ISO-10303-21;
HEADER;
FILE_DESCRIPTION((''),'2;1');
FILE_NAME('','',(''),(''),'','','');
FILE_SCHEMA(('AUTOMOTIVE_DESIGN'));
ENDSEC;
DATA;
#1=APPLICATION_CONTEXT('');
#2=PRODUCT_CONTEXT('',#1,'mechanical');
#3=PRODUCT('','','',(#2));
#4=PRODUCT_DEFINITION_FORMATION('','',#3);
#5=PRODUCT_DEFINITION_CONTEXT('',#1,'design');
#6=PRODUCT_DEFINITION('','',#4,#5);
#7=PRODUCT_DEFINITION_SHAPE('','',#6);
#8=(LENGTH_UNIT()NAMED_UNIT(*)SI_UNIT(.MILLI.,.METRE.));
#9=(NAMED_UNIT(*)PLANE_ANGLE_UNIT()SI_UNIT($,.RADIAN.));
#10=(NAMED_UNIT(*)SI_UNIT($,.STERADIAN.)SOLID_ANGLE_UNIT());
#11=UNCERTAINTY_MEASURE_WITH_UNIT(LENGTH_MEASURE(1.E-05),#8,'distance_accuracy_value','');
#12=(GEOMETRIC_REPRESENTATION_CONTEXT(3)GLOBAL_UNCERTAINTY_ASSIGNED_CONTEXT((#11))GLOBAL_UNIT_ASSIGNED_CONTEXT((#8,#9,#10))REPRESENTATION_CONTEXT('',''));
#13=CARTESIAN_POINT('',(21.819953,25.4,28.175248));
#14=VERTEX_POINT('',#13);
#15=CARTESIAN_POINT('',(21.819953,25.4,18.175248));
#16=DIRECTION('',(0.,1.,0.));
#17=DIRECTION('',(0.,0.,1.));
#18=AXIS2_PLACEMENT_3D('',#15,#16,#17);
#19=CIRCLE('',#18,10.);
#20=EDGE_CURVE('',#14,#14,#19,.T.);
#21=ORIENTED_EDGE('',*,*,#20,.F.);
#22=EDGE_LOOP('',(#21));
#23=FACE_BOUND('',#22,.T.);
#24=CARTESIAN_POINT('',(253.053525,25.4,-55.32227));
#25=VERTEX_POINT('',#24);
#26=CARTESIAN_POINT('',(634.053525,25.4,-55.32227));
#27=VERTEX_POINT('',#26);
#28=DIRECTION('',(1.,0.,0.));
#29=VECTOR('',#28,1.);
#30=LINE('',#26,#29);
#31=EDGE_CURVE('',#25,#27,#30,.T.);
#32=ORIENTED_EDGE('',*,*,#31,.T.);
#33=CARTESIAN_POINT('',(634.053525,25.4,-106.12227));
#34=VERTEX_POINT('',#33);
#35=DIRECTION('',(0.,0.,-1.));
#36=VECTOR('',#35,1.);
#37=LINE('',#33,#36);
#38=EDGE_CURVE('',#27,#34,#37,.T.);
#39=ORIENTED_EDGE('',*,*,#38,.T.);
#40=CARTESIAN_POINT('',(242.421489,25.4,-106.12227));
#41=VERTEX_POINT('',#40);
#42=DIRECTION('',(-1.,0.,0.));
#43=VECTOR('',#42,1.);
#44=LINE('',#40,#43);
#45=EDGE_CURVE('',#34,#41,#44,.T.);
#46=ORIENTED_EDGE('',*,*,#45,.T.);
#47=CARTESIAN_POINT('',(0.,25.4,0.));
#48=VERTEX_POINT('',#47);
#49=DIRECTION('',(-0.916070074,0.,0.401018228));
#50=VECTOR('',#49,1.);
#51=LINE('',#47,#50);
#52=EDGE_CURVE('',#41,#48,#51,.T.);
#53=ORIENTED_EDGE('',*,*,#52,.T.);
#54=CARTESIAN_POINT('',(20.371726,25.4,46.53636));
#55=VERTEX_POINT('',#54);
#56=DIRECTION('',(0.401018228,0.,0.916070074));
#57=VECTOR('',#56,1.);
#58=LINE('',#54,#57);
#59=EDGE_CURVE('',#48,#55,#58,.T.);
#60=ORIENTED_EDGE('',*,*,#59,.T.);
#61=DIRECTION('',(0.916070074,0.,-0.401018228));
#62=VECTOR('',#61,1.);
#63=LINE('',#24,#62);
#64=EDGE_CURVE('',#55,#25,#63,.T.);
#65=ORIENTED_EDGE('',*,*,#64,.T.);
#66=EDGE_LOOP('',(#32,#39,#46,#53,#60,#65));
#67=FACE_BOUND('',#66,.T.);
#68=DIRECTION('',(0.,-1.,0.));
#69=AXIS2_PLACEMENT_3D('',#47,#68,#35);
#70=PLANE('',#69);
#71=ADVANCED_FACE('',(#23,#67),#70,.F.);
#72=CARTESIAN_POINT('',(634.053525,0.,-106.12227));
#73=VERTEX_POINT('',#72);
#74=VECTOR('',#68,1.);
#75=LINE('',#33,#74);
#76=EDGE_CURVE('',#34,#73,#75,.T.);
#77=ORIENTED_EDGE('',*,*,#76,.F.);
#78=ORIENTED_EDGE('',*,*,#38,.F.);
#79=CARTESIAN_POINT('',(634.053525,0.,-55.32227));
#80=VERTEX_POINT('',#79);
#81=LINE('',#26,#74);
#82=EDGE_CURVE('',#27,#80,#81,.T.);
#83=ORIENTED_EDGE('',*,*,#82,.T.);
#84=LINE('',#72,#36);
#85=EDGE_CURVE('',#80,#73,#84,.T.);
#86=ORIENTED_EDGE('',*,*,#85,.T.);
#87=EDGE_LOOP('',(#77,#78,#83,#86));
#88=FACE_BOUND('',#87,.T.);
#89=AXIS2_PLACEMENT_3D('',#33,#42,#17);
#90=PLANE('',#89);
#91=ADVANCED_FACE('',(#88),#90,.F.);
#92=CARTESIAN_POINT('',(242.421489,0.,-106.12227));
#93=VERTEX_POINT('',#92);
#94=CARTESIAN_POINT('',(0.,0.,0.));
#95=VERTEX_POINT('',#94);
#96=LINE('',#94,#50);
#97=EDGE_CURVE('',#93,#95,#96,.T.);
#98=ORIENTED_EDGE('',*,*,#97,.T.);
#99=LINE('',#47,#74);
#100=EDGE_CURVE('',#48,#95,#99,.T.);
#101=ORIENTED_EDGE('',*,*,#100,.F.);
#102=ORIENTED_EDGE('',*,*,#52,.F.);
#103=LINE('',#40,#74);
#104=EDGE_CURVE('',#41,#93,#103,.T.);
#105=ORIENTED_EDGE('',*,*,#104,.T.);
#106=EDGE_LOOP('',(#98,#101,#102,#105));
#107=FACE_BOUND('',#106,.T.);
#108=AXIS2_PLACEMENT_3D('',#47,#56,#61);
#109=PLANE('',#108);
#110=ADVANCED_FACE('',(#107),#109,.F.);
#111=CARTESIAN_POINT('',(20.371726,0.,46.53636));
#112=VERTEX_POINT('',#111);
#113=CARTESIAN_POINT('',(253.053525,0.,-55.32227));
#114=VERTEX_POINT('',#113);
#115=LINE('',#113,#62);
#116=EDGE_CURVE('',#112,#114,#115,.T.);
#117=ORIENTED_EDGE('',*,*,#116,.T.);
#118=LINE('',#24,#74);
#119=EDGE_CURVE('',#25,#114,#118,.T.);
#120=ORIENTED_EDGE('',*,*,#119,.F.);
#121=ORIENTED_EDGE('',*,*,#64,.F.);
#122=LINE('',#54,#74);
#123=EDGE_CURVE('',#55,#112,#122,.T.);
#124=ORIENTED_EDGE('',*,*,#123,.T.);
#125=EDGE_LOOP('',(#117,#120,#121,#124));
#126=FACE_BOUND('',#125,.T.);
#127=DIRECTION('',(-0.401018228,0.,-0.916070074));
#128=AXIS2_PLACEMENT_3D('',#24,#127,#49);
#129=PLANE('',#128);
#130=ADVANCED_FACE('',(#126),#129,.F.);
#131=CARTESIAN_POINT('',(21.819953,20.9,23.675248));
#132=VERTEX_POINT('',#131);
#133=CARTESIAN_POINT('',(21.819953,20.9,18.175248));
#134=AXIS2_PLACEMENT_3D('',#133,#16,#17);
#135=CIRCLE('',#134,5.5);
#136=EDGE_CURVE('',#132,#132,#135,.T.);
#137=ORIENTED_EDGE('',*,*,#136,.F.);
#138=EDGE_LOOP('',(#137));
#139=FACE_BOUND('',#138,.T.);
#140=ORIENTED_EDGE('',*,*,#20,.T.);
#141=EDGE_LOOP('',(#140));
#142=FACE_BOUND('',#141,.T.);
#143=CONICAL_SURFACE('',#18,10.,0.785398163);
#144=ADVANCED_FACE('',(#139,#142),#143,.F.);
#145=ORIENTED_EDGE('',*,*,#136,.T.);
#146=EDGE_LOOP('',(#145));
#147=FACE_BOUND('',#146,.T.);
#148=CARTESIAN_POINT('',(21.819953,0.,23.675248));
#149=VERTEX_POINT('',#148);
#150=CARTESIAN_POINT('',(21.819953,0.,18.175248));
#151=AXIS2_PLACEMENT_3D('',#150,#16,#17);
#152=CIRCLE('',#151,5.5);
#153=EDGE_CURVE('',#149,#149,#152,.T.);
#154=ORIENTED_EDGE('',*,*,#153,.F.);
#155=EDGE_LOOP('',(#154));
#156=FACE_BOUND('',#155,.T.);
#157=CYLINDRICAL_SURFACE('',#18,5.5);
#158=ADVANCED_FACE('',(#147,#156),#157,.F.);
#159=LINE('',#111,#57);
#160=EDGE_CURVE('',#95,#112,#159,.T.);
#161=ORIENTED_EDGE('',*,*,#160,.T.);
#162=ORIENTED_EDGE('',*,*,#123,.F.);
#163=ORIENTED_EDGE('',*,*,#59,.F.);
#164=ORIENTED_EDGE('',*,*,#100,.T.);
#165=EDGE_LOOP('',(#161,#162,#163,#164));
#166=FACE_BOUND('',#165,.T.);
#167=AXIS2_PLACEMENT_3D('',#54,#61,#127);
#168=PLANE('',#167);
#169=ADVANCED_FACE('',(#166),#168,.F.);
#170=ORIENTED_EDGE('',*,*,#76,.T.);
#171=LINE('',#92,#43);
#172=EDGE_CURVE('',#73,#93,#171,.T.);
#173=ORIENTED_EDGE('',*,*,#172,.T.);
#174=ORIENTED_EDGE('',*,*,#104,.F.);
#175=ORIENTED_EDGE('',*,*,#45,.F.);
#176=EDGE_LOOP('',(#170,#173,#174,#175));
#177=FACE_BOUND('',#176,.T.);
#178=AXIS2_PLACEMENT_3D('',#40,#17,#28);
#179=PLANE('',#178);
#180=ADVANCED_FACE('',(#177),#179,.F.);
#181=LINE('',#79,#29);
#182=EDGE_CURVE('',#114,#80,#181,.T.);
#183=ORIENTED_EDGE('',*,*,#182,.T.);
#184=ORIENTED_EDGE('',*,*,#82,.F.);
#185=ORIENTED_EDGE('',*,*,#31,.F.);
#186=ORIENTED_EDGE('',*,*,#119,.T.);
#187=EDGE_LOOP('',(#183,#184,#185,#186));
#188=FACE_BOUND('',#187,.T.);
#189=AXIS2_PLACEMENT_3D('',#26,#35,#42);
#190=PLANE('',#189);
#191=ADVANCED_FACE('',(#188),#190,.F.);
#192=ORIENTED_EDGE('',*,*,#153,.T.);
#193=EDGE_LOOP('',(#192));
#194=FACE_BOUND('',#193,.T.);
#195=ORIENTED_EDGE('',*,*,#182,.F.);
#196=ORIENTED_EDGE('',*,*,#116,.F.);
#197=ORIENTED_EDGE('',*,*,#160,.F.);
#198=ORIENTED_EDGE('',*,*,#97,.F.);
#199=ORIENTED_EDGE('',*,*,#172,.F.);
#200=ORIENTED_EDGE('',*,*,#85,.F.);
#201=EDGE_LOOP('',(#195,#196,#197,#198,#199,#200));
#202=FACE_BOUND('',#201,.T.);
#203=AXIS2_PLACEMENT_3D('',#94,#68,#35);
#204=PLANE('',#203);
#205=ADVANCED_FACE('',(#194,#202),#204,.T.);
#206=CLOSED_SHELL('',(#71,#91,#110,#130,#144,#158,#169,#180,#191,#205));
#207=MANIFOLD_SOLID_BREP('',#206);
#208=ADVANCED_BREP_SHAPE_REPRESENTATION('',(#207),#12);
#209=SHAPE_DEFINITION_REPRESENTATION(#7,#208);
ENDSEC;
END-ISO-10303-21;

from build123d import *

# Parameters (mm, degrees)
BOSS_EXTRUDE1_DEPTH                              = 25.4
CSK_FOR_M10_FLAT_HEAD_MACHINE_SCREW1_D           = 11
CSK_FOR_M10_FLAT_HEAD_MACHINE_SCREW1_CSINK_D     = 20
CSK_FOR_M10_FLAT_HEAD_MACHINE_SCREW1_CSINK_ANGLE = 90


with BuildPart() as part:
    # Sketch1 → Boss-Extrude1 (new body)
    with BuildSketch(Plane(origin=(0, 0, 0), x_dir=(1, 0, 0), z_dir=(0, 1, 0))):
        Polygon((0, 0), (242.421488875, 106.122270026), (634.05352485, 106.122270026), (634.05352485, 55.322270026), (253.05352485, 55.322270026), (20.371725961, -46.536359778), align=None)
    extrude(amount=BOSS_EXTRUDE1_DEPTH)

    # CSK for M10 Flat Head Machine Screw1 (through all)
    with Locations(Plane(origin=(0, 25.4, 0), x_dir=(1, 0, 0), z_dir=(0, 1, 0))):
        with Locations((21.819952925, -18.175248399)):
            CounterSinkHole(CSK_FOR_M10_FLAT_HEAD_MACHINE_SCREW1_D / 2, CSK_FOR_M10_FLAT_HEAD_MACHINE_SCREW1_CSINK_D / 2, counter_sink_angle=CSK_FOR_M10_FLAT_HEAD_MACHINE_SCREW1_CSINK_ANGLE)


solid = part.part
